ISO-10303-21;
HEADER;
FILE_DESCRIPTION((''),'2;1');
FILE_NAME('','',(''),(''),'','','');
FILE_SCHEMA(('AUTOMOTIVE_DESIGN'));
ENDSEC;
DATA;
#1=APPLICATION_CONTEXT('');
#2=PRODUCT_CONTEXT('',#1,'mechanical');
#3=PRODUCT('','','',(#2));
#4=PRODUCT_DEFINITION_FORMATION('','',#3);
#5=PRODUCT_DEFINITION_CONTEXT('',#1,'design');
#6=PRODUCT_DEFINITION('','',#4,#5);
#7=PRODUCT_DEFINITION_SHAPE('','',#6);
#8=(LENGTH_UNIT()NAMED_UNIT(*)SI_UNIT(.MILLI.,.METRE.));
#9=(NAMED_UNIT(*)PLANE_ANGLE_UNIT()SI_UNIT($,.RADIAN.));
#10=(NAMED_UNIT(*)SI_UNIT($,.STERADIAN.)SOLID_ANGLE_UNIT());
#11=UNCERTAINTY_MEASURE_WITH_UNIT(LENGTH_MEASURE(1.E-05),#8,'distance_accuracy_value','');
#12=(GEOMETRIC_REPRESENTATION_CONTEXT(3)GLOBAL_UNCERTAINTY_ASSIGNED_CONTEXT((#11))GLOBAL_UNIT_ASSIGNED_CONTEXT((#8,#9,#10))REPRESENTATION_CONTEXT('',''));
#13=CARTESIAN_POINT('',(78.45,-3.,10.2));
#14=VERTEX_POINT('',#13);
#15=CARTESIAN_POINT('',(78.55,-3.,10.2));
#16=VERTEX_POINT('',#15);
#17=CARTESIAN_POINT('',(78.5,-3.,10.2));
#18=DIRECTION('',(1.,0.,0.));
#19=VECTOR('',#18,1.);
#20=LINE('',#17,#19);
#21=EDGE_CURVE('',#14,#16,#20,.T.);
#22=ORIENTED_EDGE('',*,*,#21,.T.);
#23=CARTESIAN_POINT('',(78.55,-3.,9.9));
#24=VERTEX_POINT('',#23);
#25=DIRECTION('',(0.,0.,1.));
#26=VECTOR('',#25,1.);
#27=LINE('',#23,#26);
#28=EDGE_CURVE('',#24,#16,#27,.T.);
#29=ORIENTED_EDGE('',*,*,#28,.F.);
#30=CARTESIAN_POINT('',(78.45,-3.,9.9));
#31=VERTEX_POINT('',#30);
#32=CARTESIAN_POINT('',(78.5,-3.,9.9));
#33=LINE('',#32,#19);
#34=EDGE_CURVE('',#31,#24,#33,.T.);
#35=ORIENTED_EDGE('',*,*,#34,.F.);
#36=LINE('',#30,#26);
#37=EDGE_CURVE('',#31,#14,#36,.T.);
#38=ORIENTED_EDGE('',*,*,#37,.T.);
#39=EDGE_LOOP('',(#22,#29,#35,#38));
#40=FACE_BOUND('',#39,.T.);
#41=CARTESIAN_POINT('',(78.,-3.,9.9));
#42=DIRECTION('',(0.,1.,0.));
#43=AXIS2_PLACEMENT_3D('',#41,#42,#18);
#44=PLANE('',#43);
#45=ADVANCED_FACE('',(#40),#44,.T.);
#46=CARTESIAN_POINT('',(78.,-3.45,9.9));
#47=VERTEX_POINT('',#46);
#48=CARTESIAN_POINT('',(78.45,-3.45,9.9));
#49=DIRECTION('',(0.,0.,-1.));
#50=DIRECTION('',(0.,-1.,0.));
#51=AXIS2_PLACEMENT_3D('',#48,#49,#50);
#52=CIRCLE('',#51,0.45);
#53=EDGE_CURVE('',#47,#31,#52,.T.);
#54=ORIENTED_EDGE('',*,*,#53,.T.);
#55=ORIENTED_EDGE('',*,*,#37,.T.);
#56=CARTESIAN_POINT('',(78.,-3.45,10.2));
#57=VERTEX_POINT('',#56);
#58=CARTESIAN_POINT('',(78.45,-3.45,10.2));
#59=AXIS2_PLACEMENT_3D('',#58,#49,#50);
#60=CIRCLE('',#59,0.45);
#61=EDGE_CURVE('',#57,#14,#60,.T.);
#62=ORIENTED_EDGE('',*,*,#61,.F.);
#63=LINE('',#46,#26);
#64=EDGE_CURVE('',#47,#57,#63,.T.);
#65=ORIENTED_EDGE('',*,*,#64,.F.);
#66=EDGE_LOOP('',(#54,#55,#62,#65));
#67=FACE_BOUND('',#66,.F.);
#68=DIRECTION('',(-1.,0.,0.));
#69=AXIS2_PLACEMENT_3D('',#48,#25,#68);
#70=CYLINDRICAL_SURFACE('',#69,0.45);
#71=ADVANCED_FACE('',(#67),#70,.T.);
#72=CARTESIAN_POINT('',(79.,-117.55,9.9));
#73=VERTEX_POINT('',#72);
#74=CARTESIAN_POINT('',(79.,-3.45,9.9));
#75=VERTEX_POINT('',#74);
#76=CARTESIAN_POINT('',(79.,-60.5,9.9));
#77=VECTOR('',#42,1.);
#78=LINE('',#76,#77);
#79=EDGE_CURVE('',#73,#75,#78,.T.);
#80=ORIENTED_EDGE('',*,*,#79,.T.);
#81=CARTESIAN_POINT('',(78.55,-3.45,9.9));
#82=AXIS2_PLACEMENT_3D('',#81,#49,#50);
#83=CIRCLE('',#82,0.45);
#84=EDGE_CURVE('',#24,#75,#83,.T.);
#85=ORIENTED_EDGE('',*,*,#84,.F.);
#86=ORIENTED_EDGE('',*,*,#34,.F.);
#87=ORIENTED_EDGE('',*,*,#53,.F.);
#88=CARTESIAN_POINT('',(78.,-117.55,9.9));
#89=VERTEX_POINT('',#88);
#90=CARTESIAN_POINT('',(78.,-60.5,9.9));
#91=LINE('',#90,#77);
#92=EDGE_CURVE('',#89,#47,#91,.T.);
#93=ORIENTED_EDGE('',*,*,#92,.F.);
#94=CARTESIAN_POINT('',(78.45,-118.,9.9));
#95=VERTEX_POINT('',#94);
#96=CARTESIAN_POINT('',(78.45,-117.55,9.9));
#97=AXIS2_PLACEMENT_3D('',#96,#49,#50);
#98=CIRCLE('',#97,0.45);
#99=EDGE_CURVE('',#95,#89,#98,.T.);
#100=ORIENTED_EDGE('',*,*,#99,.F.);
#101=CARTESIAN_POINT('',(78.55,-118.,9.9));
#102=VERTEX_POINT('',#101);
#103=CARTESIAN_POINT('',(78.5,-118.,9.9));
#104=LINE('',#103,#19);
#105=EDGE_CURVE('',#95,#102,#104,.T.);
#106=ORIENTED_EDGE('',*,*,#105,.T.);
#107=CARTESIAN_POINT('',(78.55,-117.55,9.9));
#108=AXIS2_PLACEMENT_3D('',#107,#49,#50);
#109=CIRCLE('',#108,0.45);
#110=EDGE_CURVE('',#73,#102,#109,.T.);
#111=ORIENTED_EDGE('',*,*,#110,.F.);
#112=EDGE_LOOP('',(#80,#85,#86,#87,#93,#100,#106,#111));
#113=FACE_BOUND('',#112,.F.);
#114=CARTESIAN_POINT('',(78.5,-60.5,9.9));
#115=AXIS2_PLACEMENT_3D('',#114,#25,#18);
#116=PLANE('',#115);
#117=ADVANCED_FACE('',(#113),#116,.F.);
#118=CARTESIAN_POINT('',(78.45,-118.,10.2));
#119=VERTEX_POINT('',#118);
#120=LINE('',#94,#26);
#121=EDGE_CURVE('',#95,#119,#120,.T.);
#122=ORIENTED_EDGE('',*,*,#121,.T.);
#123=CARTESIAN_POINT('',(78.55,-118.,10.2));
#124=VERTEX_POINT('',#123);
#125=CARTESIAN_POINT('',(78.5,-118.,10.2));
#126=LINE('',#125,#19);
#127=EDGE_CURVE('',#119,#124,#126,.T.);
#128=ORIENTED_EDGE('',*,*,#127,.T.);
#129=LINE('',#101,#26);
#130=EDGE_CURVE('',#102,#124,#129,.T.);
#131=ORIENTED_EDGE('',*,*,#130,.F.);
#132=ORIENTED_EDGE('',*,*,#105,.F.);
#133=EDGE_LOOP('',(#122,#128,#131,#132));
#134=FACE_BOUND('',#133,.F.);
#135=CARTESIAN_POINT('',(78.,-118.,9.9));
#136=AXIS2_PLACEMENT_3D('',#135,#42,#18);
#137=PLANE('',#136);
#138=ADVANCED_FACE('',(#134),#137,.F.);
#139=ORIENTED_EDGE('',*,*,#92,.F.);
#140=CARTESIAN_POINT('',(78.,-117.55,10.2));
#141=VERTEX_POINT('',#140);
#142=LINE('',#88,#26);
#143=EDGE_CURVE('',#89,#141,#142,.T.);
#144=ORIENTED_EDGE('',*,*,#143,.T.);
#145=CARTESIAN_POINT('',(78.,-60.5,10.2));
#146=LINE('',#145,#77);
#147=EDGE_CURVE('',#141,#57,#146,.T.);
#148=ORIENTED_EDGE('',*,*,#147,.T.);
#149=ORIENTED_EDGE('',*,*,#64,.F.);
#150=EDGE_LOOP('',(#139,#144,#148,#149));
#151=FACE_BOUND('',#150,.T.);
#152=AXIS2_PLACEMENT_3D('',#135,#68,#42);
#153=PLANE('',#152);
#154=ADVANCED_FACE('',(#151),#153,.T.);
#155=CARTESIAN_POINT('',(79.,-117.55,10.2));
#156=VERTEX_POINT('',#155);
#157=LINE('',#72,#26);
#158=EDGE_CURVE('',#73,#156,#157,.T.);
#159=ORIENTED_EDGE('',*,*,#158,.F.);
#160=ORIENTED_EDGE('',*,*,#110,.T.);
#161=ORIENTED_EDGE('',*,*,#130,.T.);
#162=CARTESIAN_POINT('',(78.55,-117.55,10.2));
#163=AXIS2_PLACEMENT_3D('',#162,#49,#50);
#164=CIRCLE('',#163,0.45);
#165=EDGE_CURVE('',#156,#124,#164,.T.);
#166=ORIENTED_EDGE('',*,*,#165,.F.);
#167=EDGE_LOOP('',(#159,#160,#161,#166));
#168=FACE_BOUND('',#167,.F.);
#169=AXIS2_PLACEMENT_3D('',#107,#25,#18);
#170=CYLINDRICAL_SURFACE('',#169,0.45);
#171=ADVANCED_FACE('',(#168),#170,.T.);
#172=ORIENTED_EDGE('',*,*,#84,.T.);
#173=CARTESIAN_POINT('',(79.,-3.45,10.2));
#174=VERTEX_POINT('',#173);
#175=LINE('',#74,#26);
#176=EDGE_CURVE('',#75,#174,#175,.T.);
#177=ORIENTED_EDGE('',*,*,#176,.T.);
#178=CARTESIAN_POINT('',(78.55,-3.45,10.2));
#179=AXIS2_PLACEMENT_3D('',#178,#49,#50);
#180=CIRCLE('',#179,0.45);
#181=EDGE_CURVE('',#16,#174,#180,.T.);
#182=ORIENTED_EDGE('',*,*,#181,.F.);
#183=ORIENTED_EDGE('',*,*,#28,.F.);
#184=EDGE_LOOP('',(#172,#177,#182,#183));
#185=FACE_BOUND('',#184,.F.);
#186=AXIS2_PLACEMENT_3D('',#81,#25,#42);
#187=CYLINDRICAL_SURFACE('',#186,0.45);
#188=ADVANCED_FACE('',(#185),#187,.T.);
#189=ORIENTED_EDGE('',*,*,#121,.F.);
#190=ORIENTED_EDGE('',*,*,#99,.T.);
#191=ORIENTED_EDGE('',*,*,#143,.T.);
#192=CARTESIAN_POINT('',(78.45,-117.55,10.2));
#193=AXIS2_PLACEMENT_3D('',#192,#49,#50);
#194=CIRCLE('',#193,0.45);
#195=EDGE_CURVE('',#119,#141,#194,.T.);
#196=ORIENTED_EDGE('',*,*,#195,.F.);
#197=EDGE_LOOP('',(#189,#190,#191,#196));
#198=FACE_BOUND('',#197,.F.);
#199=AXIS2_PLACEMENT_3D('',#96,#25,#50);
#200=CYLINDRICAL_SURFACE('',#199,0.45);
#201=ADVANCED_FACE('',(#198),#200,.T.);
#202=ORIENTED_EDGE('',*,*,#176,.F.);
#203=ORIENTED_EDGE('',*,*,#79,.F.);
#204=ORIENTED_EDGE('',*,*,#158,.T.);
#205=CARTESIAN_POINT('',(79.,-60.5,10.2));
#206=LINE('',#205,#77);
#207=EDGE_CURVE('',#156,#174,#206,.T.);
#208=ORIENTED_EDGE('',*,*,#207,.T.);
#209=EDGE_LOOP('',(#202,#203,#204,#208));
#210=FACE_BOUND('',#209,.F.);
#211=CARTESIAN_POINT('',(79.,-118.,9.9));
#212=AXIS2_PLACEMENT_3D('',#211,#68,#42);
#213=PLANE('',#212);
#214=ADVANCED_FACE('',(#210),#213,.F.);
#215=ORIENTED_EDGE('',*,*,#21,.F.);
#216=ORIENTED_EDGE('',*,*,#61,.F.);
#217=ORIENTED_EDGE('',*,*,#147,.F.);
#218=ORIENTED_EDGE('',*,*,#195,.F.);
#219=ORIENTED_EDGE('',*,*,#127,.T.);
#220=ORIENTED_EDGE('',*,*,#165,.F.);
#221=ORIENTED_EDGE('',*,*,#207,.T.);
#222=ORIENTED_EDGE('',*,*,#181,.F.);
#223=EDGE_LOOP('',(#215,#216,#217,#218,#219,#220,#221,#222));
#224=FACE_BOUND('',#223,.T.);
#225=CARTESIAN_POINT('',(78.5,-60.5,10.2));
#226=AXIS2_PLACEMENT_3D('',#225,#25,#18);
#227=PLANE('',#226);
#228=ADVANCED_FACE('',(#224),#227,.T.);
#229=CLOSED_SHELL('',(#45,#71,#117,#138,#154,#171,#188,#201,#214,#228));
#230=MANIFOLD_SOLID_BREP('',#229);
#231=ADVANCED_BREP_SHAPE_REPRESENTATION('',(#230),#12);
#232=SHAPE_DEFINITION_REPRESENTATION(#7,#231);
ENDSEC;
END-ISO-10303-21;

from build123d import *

# Parameters (mm, degrees)
BOX005_W     = 1
BOX005_H     = 115
BOX005_DEPTH = 0.3
FILLET007_R  = 0.45
FILLET008_R  = 0.45
FILLET011_R  = 0.45
FILLET012_R  = 0.45


with BuildPart() as part:
    # Box005 → Box005 (new body)
    with BuildSketch(Plane(origin=(78, -118, 9.9), x_dir=(1, 0, 0), z_dir=(0, 0, 1))):
        with Locations((0.5, 57.5)):
            Rectangle(BOX005_W, BOX005_H)
    extrude(amount=BOX005_DEPTH)

    # Fillet007
    fillet007_edges = [part.edges().sort_by_distance(p)[0] for p in [
        (78, -3, 10.05),
    ]]
    fillet(fillet007_edges, radius=FILLET007_R)

    # Fillet008
    fillet008_edges = [part.edges().sort_by_distance(p)[0] for p in [
        (79, -3, 10.05),
    ]]
    fillet(fillet008_edges, radius=FILLET008_R)

    # Fillet011
    fillet011_edges = [part.edges().sort_by_distance(p)[0] for p in [
        (79, -118, 10.05),
    ]]
    fillet(fillet011_edges, radius=FILLET011_R)

    # Fillet012
    fillet012_edges = [part.edges().sort_by_distance(p)[0] for p in [
        (78, -118, 10.05),
    ]]
    fillet(fillet012_edges, radius=FILLET012_R)


solid = part.part
